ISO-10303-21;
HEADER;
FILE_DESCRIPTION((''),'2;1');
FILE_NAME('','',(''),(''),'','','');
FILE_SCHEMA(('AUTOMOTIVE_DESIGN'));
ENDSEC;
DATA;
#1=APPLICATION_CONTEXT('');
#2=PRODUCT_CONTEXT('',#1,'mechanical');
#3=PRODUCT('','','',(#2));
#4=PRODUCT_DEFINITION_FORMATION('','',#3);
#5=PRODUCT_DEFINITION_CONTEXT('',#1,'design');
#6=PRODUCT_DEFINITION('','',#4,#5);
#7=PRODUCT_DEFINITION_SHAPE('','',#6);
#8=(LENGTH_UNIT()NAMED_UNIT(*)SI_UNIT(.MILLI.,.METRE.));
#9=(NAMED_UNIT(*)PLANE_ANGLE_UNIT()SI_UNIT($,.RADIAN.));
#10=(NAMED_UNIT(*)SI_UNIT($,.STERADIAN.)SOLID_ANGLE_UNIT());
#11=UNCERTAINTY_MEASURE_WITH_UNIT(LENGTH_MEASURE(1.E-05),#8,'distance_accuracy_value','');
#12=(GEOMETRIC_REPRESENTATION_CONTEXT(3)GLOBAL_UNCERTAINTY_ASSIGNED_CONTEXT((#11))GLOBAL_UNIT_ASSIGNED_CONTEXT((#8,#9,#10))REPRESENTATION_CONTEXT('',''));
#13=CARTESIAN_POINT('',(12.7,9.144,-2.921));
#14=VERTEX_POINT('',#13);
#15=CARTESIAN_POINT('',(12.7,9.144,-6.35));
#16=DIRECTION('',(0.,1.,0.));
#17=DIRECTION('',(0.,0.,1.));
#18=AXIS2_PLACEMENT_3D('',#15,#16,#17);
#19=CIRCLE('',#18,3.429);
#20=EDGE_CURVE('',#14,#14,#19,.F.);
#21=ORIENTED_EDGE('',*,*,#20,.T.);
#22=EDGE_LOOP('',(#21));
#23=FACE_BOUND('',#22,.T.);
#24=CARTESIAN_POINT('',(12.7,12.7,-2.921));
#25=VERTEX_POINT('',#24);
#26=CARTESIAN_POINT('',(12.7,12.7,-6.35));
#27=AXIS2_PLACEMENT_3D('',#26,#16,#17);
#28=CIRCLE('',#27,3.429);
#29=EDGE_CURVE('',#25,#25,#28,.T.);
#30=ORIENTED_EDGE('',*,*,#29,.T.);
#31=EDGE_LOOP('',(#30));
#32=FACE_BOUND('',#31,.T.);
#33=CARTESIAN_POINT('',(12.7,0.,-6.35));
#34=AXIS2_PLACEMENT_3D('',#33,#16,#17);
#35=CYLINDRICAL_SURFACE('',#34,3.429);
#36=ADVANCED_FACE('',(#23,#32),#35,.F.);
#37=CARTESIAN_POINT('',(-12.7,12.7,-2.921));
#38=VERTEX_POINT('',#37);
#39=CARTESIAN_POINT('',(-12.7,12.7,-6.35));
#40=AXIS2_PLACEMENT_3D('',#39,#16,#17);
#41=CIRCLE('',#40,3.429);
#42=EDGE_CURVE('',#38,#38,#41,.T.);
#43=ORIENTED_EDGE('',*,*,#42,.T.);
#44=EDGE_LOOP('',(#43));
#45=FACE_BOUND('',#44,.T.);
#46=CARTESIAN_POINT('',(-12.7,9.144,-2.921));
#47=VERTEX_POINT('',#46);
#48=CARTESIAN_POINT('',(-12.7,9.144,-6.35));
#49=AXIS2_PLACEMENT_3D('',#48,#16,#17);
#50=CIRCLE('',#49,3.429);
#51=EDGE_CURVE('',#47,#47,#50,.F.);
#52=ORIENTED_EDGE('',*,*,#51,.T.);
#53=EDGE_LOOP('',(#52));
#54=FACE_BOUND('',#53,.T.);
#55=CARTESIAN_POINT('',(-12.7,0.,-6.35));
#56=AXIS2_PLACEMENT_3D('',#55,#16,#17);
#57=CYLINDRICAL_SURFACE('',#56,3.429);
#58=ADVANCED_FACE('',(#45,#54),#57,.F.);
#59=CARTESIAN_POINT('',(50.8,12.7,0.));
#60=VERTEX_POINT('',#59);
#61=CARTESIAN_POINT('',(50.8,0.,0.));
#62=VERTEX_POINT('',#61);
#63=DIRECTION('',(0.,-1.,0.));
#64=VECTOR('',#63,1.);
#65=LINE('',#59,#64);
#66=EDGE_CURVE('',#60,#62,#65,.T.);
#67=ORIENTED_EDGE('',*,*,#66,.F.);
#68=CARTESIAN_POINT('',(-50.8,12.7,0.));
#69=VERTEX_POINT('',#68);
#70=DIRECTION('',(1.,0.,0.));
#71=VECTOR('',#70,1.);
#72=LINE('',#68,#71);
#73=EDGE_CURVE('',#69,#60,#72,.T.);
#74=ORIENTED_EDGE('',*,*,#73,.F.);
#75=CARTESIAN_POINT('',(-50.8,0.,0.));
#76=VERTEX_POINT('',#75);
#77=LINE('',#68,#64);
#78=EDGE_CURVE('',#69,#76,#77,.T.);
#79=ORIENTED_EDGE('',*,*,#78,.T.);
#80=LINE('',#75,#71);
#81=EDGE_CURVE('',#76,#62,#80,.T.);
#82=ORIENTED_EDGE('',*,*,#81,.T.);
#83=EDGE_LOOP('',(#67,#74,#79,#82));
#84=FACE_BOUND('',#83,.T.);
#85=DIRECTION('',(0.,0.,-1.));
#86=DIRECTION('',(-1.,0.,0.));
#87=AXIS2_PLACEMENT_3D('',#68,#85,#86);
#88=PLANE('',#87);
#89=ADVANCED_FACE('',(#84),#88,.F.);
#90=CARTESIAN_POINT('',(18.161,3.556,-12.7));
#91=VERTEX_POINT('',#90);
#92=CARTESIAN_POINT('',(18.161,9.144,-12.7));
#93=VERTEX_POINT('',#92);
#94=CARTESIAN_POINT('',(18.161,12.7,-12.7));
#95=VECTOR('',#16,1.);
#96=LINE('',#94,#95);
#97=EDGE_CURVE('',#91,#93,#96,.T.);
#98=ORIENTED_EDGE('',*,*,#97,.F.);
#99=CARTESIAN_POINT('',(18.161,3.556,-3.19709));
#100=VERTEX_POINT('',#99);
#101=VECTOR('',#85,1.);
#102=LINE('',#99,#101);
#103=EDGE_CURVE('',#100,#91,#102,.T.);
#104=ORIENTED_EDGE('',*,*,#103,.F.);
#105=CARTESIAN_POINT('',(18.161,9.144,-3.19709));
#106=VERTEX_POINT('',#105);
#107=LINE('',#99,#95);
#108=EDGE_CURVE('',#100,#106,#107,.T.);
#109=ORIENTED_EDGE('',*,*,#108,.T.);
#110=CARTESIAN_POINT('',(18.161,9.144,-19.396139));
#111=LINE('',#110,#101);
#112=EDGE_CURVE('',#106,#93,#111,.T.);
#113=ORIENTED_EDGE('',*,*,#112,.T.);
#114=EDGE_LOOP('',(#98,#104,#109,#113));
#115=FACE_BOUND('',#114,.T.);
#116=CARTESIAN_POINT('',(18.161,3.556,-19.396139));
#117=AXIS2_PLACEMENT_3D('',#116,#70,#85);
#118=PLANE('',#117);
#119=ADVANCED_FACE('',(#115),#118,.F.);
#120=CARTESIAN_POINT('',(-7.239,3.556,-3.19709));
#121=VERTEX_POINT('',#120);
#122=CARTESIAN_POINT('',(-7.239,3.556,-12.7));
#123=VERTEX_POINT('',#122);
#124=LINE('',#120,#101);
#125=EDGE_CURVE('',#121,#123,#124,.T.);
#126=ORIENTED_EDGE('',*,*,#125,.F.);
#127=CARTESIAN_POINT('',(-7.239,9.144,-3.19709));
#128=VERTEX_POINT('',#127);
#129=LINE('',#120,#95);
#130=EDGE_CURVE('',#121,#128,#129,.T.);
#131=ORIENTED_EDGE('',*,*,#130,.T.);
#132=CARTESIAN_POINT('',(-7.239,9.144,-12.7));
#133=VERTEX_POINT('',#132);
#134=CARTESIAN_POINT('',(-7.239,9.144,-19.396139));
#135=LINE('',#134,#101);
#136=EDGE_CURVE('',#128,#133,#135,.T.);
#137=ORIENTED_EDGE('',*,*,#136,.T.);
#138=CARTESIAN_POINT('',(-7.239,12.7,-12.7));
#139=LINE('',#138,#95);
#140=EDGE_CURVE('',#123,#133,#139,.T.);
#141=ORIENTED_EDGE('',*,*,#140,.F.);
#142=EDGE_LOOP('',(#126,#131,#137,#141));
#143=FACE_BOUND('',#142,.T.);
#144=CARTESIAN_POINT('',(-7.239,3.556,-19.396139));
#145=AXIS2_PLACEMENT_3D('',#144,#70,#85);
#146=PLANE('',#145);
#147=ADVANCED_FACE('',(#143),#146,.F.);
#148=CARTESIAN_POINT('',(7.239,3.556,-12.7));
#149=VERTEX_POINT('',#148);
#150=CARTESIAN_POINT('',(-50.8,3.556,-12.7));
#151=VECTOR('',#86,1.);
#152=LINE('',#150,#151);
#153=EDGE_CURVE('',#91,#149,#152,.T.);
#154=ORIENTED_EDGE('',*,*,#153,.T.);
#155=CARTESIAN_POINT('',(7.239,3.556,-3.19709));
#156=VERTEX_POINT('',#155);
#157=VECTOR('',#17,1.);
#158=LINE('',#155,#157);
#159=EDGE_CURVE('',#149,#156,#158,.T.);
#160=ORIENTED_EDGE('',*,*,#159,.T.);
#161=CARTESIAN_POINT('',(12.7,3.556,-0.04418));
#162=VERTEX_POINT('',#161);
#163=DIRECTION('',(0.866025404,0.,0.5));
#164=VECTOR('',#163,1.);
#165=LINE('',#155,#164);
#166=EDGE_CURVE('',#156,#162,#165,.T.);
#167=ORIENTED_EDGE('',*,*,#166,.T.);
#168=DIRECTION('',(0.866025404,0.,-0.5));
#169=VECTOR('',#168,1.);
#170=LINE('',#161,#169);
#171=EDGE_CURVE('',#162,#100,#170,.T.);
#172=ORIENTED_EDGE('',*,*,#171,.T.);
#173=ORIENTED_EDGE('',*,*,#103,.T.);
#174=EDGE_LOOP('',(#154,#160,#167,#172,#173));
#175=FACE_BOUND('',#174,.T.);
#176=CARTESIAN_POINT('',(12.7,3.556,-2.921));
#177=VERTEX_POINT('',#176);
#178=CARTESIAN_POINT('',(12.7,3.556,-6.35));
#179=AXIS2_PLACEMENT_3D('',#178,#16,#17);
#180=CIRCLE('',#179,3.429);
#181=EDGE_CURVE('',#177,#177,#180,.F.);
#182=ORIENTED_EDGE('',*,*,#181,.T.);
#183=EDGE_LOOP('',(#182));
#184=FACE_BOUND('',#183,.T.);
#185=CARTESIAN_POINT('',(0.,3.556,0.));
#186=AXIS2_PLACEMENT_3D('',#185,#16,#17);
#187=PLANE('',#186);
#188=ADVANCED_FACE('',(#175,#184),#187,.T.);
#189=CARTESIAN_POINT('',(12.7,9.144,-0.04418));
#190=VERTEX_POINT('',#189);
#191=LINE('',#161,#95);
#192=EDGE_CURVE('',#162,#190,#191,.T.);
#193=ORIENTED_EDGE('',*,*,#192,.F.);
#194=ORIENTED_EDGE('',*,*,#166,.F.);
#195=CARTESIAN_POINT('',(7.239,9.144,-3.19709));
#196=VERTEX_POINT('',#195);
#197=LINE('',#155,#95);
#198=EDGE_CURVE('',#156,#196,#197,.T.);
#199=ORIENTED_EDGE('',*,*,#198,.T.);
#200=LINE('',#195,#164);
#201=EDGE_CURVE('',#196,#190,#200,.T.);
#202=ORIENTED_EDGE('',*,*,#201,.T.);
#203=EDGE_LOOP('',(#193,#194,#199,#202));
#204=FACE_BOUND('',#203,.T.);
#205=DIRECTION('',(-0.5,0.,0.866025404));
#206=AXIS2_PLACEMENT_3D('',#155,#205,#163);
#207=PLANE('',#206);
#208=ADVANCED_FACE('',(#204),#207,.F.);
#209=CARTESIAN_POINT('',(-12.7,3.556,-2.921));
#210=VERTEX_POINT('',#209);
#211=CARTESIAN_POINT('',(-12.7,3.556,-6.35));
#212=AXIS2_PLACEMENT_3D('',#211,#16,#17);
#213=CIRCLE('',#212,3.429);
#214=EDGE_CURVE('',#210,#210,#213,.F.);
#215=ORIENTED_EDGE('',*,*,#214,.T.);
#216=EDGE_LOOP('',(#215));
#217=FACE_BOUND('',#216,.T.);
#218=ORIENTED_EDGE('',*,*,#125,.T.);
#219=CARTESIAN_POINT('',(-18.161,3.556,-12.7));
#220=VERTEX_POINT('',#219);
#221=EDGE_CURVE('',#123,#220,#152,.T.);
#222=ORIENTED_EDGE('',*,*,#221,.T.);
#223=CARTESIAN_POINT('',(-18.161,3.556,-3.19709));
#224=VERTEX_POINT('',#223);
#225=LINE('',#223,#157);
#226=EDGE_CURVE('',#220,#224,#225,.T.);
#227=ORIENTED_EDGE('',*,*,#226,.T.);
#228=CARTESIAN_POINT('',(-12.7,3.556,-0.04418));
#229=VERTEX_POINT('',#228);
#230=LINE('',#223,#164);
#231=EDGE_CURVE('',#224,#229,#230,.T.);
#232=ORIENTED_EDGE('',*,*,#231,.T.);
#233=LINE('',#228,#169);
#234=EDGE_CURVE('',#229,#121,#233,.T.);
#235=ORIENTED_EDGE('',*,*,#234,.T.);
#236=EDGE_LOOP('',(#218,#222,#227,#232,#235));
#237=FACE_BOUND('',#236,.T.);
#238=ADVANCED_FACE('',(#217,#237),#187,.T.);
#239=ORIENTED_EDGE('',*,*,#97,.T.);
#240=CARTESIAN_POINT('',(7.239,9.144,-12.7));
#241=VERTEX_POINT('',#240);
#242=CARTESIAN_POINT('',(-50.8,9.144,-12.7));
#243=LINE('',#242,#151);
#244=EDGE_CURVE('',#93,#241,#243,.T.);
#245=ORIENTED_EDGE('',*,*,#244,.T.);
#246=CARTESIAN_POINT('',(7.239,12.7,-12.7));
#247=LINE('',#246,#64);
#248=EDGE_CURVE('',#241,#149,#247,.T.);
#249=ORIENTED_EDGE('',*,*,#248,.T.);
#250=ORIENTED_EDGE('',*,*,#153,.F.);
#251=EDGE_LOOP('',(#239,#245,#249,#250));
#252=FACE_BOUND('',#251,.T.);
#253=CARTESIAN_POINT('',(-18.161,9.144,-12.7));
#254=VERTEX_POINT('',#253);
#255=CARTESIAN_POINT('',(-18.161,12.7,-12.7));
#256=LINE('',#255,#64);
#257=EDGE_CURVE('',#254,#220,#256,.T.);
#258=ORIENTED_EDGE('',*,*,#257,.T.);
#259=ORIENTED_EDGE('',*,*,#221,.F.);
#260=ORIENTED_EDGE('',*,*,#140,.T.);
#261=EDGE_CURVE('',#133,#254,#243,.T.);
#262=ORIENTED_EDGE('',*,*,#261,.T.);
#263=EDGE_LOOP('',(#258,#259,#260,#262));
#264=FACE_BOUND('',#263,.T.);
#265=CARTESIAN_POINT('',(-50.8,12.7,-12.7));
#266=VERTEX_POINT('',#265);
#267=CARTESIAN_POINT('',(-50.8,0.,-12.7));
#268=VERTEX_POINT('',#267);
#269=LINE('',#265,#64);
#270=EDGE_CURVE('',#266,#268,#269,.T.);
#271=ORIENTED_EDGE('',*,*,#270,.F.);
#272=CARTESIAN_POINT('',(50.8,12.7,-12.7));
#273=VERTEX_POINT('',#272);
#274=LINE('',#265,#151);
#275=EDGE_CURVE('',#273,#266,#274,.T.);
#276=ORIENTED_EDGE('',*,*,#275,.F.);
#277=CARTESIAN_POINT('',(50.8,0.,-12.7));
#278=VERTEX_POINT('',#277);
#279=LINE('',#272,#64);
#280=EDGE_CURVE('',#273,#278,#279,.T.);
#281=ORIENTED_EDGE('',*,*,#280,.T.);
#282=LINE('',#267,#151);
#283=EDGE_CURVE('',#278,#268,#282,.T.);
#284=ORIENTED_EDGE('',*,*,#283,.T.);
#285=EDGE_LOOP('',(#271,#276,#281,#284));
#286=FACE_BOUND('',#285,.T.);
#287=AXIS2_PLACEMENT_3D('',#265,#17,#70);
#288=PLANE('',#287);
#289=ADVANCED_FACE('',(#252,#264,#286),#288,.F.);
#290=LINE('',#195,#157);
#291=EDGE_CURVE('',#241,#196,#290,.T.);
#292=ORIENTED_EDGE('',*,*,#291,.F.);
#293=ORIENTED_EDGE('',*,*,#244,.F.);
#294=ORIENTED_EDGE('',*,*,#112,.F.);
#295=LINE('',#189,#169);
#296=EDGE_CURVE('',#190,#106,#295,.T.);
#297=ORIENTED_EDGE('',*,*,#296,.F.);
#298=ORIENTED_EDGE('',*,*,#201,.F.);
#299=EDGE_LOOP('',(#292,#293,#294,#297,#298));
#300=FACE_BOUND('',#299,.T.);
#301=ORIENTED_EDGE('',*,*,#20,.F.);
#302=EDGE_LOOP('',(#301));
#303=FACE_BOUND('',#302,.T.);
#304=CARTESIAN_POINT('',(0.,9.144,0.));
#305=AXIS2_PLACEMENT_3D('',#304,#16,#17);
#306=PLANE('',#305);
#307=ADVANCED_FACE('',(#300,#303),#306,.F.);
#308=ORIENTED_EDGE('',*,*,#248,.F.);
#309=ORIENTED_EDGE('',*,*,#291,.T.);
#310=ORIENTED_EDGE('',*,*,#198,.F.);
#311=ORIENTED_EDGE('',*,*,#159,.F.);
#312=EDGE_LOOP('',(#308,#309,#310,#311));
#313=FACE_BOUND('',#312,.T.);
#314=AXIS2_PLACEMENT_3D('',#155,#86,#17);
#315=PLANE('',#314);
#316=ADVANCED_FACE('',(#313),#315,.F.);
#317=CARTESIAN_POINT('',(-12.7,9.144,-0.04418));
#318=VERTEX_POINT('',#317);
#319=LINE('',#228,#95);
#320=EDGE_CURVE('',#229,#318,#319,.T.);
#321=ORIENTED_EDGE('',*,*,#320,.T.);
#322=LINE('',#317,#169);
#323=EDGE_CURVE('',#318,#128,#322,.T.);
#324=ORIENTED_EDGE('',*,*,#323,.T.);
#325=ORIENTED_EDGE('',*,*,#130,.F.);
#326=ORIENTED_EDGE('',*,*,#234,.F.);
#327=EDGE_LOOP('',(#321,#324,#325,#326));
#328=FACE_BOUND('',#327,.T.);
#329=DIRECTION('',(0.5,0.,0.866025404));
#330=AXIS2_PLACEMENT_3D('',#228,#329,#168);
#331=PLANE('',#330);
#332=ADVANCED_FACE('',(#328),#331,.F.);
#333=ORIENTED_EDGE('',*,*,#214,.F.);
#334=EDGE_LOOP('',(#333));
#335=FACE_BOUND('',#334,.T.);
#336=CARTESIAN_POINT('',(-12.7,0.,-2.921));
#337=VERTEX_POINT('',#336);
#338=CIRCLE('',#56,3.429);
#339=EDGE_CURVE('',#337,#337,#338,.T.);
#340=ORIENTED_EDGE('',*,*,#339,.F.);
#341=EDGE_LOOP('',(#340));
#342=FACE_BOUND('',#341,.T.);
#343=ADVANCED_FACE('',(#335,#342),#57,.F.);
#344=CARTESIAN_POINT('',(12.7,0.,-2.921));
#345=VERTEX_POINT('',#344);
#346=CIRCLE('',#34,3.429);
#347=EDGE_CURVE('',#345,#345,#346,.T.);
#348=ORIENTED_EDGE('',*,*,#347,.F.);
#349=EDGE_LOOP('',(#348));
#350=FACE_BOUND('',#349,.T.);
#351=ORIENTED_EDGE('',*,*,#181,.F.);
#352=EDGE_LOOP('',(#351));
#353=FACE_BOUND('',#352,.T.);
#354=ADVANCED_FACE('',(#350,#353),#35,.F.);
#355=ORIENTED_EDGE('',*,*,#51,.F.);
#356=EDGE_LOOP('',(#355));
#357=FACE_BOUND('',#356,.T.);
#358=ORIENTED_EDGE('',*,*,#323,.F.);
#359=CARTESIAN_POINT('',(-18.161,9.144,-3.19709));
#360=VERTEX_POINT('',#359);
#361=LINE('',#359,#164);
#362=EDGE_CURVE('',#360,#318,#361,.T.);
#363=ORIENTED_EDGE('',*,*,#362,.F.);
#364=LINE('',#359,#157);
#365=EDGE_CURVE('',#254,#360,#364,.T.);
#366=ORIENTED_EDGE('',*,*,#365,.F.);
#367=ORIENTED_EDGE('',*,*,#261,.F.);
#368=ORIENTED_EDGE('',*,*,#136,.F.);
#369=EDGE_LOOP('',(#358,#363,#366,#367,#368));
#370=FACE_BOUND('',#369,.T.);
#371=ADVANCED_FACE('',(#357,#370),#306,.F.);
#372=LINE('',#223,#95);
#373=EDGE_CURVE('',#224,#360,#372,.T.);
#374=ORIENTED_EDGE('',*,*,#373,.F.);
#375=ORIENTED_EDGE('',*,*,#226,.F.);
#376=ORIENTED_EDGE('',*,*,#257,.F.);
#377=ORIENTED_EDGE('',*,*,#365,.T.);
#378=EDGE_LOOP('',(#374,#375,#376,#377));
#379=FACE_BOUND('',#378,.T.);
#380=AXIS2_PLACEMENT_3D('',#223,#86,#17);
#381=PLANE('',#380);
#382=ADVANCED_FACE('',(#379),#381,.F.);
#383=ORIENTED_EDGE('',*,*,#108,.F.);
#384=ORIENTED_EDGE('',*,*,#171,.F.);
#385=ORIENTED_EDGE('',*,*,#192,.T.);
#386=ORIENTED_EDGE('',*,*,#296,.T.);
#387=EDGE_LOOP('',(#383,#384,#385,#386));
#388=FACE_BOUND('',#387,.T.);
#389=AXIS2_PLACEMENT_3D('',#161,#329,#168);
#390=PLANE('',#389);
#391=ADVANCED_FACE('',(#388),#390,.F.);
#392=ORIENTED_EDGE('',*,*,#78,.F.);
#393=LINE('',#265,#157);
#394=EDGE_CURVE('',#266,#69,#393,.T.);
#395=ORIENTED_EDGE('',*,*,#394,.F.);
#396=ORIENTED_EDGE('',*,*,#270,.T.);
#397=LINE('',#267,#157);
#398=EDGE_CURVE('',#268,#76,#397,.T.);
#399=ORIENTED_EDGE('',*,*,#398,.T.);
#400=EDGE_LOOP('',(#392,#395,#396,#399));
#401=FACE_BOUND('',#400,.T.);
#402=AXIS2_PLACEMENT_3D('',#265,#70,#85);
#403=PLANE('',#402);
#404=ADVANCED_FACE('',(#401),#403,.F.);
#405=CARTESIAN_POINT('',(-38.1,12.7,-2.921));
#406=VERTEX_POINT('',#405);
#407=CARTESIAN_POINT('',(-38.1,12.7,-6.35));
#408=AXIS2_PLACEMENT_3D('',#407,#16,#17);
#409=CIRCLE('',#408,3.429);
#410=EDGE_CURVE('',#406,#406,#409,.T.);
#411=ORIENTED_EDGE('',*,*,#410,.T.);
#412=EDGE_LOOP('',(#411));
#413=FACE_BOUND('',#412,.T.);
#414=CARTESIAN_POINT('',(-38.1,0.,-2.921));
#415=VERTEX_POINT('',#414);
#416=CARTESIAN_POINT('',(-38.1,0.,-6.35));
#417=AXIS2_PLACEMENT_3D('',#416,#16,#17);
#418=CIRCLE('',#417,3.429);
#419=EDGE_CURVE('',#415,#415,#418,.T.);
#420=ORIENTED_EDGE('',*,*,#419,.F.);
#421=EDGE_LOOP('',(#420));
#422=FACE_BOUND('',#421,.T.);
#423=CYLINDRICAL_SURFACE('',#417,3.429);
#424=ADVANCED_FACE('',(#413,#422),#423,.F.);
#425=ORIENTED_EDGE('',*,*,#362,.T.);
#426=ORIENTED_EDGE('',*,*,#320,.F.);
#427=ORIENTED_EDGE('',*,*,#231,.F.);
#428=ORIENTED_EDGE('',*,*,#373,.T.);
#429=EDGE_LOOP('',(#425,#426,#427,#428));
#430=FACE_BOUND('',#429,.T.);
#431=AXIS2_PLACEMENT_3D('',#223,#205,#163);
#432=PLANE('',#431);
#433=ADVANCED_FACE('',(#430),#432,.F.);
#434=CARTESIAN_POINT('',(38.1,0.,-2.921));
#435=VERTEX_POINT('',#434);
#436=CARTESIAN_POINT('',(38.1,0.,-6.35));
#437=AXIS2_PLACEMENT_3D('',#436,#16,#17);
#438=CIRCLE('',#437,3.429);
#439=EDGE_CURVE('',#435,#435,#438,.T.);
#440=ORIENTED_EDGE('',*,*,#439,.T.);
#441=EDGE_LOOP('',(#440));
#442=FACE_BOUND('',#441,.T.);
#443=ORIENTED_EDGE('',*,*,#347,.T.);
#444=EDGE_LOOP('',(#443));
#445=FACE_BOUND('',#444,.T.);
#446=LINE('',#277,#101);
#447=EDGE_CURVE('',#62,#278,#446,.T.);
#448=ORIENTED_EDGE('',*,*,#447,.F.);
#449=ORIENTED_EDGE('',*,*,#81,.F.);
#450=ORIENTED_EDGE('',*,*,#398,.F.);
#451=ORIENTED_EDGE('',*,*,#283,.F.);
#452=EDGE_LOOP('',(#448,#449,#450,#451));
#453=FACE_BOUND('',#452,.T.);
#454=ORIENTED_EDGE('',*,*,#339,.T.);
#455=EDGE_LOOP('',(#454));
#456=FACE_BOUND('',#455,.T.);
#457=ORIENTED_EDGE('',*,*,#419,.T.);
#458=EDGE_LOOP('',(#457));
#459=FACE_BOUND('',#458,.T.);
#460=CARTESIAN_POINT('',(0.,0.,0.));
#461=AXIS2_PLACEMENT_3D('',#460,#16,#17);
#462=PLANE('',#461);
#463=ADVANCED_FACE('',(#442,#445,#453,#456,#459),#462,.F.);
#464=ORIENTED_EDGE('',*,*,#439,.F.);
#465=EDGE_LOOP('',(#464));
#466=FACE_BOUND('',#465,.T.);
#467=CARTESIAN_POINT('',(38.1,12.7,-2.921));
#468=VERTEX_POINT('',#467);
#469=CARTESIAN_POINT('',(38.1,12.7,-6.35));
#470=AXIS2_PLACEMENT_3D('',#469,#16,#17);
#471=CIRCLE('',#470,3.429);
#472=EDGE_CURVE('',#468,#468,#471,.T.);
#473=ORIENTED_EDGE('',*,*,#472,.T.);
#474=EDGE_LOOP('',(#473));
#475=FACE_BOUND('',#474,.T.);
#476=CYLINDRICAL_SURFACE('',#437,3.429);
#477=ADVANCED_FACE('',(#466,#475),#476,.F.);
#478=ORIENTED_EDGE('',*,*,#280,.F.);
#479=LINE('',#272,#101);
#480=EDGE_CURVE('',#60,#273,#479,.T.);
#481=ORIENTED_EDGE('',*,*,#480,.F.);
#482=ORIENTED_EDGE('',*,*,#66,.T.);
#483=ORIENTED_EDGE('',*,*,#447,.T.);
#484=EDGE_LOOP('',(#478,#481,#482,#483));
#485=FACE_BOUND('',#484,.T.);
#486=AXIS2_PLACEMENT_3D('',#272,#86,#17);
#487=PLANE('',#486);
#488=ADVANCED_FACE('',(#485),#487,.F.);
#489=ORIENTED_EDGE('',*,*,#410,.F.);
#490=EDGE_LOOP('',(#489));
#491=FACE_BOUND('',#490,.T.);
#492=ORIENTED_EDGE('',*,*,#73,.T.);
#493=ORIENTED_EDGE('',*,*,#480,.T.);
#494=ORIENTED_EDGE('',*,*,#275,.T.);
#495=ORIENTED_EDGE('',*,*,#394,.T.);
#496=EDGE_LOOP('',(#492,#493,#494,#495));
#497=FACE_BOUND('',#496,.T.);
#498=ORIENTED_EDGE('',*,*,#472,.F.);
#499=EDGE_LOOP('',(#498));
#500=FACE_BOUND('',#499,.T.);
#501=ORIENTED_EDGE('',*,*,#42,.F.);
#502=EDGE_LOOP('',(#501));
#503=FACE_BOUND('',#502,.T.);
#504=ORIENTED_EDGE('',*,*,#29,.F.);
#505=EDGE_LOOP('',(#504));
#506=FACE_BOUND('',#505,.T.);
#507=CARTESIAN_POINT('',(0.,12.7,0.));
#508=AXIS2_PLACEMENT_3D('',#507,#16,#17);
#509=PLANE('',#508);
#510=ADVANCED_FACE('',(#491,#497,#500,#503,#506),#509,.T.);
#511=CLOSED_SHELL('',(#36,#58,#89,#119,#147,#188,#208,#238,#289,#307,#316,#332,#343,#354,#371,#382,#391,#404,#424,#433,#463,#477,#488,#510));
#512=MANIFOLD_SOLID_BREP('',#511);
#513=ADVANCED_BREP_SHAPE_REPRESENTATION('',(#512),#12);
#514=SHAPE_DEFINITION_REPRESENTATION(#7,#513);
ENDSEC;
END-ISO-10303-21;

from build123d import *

# Parameters (mm, degrees)
SKETCH1_W           = 101.6
SKETCH1_H           = 12.7
BOSS_EXTRUDE1_DEPTH = 12.7
SKETCH2_R           = 3.429
CUT_EXTRUDE1_DEPTH  = 54.881536726
CUT_EXTRUDE2_DEPTH  = 2.794


with BuildPart() as part:
    # Sketch1 → Boss-Extrude1 (new body)
    with BuildSketch(Plane(origin=(0, 0, 0), x_dir=(1, 0, 0), z_dir=(0, 1, 0))):
        with Locations((0, 6.35)):
            Rectangle(SKETCH1_W, SKETCH1_H)
    extrude(amount=BOSS_EXTRUDE1_DEPTH)

    # Sketch2 → Cut-Extrude1 (cut, through all)
    with BuildSketch(Plane(origin=(0, 12.7, 0), x_dir=(1, 0, 0), z_dir=(0, 1, 0))):
        with Locations(Location((-38.1, 6.35, 0), (0, 0, 270))):
            Circle(SKETCH2_R)
        with Locations(Location((38.1, 6.35, 0), (0, 0, 270))):
            Circle(SKETCH2_R)
        with Locations(Location((-12.7, 6.35, 0), (0, 0, 270))):
            Circle(SKETCH2_R)
        with Locations(Location((12.7, 6.35, 0), (0, 0, 270))):
            Circle(SKETCH2_R)
    extrude(amount=-CUT_EXTRUDE1_DEPTH, mode=Mode.SUBTRACT)

    # Sketch3 → Cut-Extrude2 (cut, symmetric)
    with BuildSketch(Plane(origin=(0, 6.35, 0), x_dir=(1, 0, 0), z_dir=(0, 1, 0))):
        Polygon((-18.161, 3.19709018), (-18.161, 19.396139053), (-7.239, 19.396139053), (-7.239, 9.50290982), (-7.239, 3.19709018), (-12.7, 0.04418036), align=None)
        Polygon((7.239, 19.396139053), (18.161, 19.396139053), (18.161, 9.50290982), (18.161, 3.19709018), (12.7, 0.04418036), (7.239, 3.19709018), align=None)
    extrude(amount=CUT_EXTRUDE2_DEPTH, both=True, mode=Mode.SUBTRACT)


solid = part.part
